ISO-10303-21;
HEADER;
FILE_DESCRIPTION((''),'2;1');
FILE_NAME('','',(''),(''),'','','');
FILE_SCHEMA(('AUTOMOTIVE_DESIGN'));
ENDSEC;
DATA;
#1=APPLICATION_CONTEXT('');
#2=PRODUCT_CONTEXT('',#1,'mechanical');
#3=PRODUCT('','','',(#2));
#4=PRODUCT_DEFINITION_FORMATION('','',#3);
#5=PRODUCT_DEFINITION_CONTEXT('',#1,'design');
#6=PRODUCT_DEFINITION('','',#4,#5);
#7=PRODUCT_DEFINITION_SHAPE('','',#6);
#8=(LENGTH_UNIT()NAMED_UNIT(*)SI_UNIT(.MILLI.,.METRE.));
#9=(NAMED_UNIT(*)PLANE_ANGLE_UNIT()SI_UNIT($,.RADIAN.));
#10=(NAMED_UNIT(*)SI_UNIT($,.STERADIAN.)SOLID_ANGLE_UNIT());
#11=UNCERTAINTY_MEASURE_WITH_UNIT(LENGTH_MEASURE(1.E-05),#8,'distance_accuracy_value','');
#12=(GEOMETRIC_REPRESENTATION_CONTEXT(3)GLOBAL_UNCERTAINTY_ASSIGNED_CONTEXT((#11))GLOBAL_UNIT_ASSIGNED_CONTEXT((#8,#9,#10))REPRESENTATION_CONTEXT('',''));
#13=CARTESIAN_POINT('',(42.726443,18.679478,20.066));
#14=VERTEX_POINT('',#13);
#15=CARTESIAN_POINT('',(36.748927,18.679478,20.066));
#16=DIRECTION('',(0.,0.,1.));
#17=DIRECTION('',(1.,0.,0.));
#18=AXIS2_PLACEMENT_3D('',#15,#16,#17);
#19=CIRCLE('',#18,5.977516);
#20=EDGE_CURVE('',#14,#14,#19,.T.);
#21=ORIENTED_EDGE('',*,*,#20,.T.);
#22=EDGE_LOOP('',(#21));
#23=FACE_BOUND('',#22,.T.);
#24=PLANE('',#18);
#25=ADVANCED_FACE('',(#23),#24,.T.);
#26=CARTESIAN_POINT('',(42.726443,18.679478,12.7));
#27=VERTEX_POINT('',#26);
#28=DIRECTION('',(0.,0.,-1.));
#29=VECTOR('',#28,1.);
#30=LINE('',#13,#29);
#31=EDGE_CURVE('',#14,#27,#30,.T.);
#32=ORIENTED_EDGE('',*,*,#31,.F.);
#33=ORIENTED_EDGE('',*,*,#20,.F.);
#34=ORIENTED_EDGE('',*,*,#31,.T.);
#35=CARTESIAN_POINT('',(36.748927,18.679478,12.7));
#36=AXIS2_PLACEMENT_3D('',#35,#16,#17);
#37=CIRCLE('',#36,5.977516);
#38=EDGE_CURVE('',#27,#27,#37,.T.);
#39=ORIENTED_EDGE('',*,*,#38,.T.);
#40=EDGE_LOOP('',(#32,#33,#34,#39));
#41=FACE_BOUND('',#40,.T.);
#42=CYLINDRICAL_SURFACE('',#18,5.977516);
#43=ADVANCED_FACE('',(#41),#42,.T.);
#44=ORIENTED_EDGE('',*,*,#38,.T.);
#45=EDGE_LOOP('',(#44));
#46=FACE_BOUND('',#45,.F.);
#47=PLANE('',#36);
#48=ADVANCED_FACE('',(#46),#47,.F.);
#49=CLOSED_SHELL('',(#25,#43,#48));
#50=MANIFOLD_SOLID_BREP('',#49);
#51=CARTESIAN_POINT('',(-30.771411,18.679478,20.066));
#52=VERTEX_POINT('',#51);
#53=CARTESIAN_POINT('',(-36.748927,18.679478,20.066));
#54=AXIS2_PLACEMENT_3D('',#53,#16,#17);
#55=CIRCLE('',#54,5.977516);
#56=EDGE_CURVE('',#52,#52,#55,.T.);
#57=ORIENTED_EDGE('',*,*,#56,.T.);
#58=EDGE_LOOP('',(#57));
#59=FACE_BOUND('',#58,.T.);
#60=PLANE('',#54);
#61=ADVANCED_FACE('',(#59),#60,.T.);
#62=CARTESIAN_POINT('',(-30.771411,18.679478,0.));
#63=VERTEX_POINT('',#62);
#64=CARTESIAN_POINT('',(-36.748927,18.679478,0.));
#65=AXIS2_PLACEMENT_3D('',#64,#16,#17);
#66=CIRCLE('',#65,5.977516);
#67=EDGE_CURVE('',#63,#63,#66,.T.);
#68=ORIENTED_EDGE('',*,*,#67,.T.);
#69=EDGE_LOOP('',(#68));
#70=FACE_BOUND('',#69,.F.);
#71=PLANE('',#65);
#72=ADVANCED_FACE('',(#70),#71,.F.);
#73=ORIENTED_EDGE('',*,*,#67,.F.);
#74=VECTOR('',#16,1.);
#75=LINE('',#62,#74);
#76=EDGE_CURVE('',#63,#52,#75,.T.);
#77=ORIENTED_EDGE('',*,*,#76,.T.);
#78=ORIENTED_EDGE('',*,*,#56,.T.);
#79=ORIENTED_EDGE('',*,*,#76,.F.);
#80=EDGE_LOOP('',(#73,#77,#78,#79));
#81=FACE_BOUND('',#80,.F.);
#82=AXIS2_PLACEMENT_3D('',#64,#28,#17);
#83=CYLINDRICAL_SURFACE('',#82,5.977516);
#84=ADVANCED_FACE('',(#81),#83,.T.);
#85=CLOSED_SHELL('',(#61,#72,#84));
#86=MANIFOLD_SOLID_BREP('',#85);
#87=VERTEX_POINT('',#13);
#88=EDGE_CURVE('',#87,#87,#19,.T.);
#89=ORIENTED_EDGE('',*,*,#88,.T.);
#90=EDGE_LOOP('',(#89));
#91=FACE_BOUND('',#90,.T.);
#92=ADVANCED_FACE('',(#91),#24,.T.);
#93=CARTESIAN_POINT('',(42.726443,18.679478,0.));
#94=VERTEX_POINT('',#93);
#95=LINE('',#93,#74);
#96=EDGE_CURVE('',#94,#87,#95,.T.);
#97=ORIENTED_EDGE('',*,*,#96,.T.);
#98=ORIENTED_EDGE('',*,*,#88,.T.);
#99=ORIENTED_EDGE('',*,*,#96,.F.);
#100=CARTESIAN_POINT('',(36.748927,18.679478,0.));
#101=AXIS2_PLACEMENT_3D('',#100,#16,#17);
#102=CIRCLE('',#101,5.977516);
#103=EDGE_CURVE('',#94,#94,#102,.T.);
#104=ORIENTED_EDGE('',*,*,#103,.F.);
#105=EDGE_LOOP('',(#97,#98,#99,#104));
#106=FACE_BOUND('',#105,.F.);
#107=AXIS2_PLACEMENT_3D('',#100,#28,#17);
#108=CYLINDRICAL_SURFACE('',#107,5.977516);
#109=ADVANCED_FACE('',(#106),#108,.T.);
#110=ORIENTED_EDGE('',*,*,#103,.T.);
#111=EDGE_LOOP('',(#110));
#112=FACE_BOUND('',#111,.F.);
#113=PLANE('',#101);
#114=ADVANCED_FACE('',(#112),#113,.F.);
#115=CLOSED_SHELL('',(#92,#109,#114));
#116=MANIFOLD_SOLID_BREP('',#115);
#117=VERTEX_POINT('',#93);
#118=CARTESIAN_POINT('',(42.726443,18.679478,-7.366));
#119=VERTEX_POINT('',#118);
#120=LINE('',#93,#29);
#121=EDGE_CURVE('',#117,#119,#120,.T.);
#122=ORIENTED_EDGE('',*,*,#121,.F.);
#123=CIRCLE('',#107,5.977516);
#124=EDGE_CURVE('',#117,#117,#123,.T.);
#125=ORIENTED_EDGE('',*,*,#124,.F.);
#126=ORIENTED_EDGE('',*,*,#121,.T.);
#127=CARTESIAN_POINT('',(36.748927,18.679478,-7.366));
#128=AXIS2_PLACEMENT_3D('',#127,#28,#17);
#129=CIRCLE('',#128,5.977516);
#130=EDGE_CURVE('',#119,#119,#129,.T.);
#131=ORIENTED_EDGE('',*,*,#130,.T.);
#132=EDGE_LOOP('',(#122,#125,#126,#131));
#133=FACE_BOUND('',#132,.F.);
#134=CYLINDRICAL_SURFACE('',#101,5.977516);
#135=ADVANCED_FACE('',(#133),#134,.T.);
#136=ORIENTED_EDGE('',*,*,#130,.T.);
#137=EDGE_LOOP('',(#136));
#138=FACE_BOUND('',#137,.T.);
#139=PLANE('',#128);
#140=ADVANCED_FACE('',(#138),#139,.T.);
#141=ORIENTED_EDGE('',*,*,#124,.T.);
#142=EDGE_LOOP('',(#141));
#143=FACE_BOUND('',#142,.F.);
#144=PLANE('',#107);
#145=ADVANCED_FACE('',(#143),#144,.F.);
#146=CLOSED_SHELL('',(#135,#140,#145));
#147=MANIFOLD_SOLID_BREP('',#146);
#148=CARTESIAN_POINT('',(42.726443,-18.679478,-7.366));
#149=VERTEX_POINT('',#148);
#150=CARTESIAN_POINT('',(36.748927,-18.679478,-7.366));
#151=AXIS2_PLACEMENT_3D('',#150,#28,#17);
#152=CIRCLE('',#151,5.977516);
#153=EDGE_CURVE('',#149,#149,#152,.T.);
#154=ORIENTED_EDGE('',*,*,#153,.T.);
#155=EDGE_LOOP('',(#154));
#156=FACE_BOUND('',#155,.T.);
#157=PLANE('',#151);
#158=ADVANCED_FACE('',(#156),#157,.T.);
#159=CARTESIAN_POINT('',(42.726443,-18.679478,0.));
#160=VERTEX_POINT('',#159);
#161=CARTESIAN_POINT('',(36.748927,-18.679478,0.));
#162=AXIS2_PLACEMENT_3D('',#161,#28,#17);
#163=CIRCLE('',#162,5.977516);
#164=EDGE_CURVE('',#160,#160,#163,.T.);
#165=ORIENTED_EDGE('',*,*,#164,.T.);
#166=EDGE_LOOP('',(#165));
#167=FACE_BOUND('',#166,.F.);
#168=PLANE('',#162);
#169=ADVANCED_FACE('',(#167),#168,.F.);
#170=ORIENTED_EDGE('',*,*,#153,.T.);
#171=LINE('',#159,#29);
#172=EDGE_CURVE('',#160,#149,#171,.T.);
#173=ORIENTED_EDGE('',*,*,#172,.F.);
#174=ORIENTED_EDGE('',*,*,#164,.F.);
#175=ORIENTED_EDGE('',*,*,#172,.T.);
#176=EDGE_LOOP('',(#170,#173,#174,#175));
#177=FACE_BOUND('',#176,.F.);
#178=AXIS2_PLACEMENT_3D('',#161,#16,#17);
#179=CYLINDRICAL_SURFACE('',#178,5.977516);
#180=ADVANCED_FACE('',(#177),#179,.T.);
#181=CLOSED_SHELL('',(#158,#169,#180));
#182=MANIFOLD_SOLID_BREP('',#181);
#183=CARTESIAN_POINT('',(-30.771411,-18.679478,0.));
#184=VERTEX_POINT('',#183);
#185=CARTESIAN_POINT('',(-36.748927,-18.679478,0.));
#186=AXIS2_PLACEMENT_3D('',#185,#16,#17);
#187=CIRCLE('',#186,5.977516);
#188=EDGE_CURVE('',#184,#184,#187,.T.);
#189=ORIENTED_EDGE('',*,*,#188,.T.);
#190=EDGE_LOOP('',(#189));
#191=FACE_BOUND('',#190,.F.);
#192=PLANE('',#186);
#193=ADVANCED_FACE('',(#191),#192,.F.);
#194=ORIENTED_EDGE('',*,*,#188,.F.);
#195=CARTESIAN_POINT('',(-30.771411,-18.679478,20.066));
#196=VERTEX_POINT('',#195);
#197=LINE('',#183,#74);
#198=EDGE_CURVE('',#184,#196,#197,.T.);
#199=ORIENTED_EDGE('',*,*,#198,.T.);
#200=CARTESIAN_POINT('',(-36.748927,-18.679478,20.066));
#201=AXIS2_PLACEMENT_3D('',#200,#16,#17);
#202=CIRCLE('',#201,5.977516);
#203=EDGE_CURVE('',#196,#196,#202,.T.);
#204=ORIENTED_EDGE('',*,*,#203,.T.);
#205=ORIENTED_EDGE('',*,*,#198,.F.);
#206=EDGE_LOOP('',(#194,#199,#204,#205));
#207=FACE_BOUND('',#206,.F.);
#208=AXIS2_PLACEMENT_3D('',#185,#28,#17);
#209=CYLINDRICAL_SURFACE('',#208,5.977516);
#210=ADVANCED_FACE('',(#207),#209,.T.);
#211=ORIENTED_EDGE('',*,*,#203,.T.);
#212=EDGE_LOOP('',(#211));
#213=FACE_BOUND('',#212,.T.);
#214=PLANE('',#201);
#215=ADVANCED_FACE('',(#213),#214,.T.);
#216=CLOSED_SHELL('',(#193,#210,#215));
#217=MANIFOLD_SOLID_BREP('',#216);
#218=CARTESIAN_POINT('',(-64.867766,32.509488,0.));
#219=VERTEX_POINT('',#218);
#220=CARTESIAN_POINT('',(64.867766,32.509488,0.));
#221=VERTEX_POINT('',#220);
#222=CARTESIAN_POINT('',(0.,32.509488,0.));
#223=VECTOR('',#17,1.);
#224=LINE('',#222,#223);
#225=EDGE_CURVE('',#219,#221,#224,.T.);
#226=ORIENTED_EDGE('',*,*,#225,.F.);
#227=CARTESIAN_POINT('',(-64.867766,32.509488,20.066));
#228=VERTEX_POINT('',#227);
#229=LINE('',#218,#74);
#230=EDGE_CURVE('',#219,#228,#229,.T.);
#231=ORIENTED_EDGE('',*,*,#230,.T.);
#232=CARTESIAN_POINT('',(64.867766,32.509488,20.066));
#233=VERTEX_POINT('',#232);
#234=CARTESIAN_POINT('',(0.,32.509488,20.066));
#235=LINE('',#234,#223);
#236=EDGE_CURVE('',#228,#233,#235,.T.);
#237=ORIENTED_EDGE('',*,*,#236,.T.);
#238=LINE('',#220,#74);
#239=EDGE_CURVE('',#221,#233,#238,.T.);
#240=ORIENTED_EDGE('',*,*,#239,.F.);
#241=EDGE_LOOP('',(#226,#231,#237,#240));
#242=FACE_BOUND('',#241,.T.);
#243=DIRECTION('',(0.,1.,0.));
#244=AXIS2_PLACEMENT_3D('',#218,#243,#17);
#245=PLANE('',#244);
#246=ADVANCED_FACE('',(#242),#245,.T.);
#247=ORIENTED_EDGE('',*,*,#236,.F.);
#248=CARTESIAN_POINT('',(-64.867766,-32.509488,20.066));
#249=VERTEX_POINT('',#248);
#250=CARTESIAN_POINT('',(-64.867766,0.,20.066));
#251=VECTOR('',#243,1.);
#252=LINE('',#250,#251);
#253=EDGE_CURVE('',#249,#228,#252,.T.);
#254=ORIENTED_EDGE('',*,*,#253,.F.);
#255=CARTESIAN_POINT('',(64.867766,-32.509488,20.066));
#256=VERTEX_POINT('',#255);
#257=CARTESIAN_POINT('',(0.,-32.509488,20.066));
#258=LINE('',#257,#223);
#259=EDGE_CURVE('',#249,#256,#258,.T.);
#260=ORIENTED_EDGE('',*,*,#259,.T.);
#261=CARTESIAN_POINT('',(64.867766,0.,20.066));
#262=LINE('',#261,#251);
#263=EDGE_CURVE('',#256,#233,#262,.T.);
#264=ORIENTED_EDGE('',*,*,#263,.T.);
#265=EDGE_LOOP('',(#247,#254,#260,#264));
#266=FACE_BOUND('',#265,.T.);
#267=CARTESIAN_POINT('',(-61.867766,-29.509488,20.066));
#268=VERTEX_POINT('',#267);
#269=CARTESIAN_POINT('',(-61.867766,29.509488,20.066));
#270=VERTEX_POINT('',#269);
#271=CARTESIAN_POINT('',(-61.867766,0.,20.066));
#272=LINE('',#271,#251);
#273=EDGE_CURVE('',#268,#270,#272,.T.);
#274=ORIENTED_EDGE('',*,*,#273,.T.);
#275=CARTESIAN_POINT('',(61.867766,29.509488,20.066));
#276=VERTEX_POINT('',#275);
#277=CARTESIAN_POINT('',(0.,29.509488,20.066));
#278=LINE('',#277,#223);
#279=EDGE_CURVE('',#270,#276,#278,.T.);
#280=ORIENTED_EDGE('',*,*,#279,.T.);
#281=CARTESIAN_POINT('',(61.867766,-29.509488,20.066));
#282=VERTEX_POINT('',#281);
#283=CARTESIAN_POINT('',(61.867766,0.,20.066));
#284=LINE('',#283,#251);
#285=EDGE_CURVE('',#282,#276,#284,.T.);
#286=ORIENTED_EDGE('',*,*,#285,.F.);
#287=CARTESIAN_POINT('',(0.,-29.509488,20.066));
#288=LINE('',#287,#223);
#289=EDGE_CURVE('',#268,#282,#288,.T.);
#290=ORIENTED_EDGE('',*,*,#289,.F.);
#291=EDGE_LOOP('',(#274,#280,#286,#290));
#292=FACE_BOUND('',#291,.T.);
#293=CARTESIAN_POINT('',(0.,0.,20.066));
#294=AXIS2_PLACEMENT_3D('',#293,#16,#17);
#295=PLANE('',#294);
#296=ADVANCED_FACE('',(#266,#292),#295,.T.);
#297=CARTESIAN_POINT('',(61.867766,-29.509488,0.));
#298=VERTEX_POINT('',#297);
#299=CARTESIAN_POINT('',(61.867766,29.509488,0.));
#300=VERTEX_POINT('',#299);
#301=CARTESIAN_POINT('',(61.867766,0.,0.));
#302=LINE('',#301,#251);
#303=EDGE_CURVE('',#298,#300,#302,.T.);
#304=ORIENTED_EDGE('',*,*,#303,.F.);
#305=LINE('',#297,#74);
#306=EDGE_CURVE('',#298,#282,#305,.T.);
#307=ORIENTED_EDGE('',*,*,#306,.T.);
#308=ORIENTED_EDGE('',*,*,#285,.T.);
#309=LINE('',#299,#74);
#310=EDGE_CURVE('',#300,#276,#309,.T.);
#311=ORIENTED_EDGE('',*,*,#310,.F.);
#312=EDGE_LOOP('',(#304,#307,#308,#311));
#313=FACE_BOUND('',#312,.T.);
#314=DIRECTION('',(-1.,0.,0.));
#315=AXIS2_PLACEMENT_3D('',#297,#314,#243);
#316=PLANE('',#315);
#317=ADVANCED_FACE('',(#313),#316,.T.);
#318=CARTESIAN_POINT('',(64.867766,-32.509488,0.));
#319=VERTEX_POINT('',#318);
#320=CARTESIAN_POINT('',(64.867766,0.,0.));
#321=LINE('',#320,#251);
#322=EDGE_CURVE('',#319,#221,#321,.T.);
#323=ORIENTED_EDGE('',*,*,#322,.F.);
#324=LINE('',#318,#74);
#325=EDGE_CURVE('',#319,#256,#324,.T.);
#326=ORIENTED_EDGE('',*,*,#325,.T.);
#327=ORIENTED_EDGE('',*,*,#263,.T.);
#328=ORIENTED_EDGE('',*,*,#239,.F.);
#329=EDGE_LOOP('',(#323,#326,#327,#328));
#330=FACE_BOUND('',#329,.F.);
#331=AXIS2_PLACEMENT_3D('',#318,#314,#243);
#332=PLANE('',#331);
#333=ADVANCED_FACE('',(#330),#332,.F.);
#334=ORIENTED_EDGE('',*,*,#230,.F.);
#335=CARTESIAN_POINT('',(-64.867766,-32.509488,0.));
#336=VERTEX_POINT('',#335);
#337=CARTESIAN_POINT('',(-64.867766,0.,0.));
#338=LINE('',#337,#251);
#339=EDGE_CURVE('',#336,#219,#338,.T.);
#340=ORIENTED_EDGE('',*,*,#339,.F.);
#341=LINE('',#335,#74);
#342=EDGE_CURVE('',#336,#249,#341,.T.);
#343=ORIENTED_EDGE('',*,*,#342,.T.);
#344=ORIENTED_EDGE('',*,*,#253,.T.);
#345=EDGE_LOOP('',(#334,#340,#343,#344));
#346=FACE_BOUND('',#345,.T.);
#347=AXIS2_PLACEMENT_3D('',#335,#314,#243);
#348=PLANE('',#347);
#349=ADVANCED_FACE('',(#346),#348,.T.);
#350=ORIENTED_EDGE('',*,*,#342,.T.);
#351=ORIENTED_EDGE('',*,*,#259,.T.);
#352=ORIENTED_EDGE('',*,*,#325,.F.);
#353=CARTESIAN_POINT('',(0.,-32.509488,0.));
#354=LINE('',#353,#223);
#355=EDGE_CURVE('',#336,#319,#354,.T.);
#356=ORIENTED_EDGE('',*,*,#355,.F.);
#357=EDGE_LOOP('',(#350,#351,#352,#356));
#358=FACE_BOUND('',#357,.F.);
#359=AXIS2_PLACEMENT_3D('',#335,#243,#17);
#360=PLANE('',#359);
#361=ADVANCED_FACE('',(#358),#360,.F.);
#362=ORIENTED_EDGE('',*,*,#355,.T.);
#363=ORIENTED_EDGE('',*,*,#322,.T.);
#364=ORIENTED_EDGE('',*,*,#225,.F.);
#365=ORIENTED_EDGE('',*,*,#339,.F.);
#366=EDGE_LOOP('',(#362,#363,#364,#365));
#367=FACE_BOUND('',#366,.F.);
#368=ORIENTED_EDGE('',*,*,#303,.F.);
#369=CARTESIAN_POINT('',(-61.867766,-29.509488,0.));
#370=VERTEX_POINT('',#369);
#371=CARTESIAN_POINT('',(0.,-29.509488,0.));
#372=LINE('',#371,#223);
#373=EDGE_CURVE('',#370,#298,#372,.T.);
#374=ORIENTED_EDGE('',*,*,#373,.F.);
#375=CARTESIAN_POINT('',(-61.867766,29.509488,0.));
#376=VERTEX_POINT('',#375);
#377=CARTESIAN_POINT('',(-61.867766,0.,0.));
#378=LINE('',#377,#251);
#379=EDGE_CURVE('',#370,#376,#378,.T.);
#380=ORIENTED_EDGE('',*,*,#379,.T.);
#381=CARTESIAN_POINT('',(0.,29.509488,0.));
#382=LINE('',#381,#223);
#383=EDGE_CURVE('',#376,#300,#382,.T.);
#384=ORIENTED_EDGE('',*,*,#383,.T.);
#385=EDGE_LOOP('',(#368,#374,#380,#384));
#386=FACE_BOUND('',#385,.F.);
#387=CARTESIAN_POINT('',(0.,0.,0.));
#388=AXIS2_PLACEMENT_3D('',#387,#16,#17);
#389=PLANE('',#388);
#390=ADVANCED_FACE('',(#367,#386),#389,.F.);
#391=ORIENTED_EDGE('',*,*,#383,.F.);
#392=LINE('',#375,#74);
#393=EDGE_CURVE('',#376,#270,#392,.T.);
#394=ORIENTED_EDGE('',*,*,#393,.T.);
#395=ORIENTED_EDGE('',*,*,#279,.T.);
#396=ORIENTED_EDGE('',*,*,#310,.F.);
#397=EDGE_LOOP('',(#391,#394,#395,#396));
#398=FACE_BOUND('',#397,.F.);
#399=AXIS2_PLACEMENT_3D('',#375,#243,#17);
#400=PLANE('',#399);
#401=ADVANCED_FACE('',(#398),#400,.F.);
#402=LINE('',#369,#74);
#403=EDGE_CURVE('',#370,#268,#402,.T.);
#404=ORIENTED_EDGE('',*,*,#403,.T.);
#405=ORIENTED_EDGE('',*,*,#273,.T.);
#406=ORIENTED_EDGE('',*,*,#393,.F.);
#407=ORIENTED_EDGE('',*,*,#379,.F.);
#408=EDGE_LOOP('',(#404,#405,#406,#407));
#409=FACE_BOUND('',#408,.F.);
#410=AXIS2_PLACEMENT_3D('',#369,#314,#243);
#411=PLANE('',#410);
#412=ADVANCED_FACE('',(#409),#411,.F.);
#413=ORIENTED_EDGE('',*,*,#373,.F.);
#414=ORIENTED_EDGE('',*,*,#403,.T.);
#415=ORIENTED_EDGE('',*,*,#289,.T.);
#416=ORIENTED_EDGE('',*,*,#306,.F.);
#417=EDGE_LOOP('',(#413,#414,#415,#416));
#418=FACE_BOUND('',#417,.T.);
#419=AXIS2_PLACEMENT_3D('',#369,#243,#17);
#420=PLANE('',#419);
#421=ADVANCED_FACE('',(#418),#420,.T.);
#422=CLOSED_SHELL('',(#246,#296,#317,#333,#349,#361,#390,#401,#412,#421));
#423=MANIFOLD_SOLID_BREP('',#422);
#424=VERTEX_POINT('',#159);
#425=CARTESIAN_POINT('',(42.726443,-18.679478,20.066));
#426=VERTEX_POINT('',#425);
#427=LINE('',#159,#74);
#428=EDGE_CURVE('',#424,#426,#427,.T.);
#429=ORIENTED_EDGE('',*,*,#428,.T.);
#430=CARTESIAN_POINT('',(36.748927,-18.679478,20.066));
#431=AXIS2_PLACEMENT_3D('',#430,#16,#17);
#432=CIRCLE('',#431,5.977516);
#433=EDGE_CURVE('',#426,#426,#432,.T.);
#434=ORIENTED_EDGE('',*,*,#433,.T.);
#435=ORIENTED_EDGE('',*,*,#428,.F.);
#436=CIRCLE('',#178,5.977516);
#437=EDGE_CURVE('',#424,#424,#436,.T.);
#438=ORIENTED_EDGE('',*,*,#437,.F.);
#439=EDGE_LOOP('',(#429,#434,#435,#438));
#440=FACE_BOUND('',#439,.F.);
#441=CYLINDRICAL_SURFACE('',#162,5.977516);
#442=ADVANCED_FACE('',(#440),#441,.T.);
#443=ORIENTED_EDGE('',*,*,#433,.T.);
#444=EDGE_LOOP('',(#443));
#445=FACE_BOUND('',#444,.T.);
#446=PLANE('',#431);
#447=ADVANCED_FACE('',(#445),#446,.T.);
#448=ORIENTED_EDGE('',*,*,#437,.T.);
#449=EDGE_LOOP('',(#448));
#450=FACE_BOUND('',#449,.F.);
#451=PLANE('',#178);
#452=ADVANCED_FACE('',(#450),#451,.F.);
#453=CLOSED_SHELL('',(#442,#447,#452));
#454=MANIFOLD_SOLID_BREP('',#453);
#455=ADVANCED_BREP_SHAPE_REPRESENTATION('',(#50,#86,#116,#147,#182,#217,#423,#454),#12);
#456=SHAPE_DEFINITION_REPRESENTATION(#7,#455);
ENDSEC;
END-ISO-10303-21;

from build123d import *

# Parameters (mm, degrees)
F0_R       = 5.9775161225
F1_DEPTH   = 20.066
F0_W       = 129.7355321646
F0_H       = 65.0189756741
F0_W_2     = 123.7355321646
F0_H_2     = 59.0189756741
F1_FACE_R  = 5.9775161225
F1_FACE1_R = 5.9775161225
F2_DEPTH   = 7.366


with BuildPart() as f1:
    # F0 (on Top) → F1 (new body)
    with BuildSketch(Plane.XY):
        with Locations((36.7489270866, -18.6794780054)):
            Circle(F0_R)
    extrude(amount=F1_DEPTH)


with BuildPart() as f1b:
    # F0 (on Top) → F1, piece 2 (new body)
    with BuildSketch(Plane.XY):
        with Locations((-36.7489270866, -18.6794780054)):
            Circle(F0_R)
    extrude(amount=F1_DEPTH)


with BuildPart() as f1c:
    # F0 (on Top) → F1, piece 3 (new body)
    with BuildSketch(Plane.XY):
        with Locations((36.7489270866, 18.6794780054)):
            Circle(F0_R)
    extrude(amount=F1_DEPTH)


with BuildPart() as f1d:
    # F0 (on Top) → F1, piece 4 (new body)
    with BuildSketch(Plane.XY):
        Rectangle(F0_W, F0_H)
        Rectangle(F0_W_2, F0_H_2, mode=Mode.SUBTRACT)
    extrude(amount=F1_DEPTH)


with BuildPart() as f1e:
    # F0 (on Top) → F1, piece 5 (new body)
    with BuildSketch(Plane.XY):
        with Locations((-36.7489270866, 18.6794780054)):
            Circle(F0_R)
    extrude(amount=F1_DEPTH)


with BuildPart() as f2:
    # F1_face (on face) + F1_face1 (on face) → F2 (new body)
    with BuildSketch(Plane(origin=(36.7489270866, -18.6794780054, 0), x_dir=(1, 0, 0), z_dir=(0, 0, -1))):
        Circle(F1_FACE_R)
        with Locations((0, -37.3589560108)):
            Circle(F1_FACE_R)
    with BuildSketch(Plane(origin=(36.7489270866, 18.6794780054, 20.066), x_dir=(1, 0, 0), z_dir=(0, 0, 1))):
        Circle(F1_FACE1_R)
    extrude(amount=F2_DEPTH, dir=(0, 0, -1))


solid = Compound([f1.part, f1b.part, f1c.part, f1d.part, f1e.part, f2.part])
